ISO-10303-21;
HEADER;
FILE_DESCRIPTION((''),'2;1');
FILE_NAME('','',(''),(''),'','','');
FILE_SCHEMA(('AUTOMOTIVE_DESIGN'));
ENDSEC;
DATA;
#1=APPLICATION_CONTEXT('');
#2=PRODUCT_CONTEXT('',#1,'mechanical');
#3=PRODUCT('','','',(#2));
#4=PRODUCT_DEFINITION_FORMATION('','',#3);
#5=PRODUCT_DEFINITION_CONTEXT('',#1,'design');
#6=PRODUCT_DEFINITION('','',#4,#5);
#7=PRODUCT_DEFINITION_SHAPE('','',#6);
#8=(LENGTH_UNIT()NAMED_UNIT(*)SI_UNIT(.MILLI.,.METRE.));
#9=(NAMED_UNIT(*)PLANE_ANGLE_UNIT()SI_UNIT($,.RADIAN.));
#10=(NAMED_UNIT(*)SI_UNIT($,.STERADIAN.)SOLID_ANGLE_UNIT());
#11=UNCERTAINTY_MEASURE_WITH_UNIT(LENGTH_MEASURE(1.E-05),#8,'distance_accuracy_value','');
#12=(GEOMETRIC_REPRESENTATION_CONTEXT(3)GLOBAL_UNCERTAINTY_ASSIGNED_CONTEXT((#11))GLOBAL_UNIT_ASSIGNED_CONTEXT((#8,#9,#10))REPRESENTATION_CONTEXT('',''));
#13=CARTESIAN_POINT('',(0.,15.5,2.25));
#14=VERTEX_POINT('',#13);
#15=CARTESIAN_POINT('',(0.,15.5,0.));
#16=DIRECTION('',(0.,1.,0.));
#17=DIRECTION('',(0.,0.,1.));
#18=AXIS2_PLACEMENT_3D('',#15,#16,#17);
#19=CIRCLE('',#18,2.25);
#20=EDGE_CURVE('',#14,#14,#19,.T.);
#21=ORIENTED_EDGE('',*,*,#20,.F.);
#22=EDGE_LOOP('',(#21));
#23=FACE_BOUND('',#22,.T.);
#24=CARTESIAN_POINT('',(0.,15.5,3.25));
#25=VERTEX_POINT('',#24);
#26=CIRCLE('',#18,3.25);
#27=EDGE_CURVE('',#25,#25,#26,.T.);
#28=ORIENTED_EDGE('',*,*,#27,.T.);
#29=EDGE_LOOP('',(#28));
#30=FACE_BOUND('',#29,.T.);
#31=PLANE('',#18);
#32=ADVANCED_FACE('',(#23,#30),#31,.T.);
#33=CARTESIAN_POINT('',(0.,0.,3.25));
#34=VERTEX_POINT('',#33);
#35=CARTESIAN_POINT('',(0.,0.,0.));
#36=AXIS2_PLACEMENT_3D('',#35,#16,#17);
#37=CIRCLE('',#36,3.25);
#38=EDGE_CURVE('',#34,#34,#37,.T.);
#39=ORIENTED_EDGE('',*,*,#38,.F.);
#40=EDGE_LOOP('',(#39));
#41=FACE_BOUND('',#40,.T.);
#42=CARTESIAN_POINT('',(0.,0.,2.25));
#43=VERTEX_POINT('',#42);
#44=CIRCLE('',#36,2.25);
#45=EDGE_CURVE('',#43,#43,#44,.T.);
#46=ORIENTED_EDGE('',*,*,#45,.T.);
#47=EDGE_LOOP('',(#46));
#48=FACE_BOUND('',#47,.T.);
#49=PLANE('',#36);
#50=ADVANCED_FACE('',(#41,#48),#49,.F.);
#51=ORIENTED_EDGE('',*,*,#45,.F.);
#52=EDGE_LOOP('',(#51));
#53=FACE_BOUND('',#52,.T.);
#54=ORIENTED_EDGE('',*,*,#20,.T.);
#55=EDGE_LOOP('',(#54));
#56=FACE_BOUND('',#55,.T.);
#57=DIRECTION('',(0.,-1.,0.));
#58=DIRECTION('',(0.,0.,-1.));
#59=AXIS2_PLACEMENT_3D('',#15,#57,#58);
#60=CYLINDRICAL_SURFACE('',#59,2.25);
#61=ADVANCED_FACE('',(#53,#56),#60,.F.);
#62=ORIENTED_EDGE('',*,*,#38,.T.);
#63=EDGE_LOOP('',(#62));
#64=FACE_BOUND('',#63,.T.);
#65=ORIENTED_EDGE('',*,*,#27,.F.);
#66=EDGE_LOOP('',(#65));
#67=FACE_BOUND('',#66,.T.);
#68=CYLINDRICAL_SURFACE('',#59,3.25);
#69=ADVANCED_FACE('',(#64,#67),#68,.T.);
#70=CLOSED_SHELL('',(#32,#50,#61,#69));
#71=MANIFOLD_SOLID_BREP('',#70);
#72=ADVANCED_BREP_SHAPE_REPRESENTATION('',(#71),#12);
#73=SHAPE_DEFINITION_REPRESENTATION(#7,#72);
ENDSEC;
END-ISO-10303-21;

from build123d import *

# Parameters (mm, degrees)
SKETCH1_R           = 3.25
SKETCH1_R_2         = 2.25
BOSS_EXTRUDE1_DEPTH = 15.5


with BuildPart() as part:
    # Sketch1 → Boss-Extrude1 (new body)
    with BuildSketch(Plane(origin=(0, 0, 0), x_dir=(1, 0, 0), z_dir=(0, 1, 0))):
        Circle(SKETCH1_R)
        Circle(SKETCH1_R_2, mode=Mode.SUBTRACT)
    extrude(amount=BOSS_EXTRUDE1_DEPTH)


solid = part.part
